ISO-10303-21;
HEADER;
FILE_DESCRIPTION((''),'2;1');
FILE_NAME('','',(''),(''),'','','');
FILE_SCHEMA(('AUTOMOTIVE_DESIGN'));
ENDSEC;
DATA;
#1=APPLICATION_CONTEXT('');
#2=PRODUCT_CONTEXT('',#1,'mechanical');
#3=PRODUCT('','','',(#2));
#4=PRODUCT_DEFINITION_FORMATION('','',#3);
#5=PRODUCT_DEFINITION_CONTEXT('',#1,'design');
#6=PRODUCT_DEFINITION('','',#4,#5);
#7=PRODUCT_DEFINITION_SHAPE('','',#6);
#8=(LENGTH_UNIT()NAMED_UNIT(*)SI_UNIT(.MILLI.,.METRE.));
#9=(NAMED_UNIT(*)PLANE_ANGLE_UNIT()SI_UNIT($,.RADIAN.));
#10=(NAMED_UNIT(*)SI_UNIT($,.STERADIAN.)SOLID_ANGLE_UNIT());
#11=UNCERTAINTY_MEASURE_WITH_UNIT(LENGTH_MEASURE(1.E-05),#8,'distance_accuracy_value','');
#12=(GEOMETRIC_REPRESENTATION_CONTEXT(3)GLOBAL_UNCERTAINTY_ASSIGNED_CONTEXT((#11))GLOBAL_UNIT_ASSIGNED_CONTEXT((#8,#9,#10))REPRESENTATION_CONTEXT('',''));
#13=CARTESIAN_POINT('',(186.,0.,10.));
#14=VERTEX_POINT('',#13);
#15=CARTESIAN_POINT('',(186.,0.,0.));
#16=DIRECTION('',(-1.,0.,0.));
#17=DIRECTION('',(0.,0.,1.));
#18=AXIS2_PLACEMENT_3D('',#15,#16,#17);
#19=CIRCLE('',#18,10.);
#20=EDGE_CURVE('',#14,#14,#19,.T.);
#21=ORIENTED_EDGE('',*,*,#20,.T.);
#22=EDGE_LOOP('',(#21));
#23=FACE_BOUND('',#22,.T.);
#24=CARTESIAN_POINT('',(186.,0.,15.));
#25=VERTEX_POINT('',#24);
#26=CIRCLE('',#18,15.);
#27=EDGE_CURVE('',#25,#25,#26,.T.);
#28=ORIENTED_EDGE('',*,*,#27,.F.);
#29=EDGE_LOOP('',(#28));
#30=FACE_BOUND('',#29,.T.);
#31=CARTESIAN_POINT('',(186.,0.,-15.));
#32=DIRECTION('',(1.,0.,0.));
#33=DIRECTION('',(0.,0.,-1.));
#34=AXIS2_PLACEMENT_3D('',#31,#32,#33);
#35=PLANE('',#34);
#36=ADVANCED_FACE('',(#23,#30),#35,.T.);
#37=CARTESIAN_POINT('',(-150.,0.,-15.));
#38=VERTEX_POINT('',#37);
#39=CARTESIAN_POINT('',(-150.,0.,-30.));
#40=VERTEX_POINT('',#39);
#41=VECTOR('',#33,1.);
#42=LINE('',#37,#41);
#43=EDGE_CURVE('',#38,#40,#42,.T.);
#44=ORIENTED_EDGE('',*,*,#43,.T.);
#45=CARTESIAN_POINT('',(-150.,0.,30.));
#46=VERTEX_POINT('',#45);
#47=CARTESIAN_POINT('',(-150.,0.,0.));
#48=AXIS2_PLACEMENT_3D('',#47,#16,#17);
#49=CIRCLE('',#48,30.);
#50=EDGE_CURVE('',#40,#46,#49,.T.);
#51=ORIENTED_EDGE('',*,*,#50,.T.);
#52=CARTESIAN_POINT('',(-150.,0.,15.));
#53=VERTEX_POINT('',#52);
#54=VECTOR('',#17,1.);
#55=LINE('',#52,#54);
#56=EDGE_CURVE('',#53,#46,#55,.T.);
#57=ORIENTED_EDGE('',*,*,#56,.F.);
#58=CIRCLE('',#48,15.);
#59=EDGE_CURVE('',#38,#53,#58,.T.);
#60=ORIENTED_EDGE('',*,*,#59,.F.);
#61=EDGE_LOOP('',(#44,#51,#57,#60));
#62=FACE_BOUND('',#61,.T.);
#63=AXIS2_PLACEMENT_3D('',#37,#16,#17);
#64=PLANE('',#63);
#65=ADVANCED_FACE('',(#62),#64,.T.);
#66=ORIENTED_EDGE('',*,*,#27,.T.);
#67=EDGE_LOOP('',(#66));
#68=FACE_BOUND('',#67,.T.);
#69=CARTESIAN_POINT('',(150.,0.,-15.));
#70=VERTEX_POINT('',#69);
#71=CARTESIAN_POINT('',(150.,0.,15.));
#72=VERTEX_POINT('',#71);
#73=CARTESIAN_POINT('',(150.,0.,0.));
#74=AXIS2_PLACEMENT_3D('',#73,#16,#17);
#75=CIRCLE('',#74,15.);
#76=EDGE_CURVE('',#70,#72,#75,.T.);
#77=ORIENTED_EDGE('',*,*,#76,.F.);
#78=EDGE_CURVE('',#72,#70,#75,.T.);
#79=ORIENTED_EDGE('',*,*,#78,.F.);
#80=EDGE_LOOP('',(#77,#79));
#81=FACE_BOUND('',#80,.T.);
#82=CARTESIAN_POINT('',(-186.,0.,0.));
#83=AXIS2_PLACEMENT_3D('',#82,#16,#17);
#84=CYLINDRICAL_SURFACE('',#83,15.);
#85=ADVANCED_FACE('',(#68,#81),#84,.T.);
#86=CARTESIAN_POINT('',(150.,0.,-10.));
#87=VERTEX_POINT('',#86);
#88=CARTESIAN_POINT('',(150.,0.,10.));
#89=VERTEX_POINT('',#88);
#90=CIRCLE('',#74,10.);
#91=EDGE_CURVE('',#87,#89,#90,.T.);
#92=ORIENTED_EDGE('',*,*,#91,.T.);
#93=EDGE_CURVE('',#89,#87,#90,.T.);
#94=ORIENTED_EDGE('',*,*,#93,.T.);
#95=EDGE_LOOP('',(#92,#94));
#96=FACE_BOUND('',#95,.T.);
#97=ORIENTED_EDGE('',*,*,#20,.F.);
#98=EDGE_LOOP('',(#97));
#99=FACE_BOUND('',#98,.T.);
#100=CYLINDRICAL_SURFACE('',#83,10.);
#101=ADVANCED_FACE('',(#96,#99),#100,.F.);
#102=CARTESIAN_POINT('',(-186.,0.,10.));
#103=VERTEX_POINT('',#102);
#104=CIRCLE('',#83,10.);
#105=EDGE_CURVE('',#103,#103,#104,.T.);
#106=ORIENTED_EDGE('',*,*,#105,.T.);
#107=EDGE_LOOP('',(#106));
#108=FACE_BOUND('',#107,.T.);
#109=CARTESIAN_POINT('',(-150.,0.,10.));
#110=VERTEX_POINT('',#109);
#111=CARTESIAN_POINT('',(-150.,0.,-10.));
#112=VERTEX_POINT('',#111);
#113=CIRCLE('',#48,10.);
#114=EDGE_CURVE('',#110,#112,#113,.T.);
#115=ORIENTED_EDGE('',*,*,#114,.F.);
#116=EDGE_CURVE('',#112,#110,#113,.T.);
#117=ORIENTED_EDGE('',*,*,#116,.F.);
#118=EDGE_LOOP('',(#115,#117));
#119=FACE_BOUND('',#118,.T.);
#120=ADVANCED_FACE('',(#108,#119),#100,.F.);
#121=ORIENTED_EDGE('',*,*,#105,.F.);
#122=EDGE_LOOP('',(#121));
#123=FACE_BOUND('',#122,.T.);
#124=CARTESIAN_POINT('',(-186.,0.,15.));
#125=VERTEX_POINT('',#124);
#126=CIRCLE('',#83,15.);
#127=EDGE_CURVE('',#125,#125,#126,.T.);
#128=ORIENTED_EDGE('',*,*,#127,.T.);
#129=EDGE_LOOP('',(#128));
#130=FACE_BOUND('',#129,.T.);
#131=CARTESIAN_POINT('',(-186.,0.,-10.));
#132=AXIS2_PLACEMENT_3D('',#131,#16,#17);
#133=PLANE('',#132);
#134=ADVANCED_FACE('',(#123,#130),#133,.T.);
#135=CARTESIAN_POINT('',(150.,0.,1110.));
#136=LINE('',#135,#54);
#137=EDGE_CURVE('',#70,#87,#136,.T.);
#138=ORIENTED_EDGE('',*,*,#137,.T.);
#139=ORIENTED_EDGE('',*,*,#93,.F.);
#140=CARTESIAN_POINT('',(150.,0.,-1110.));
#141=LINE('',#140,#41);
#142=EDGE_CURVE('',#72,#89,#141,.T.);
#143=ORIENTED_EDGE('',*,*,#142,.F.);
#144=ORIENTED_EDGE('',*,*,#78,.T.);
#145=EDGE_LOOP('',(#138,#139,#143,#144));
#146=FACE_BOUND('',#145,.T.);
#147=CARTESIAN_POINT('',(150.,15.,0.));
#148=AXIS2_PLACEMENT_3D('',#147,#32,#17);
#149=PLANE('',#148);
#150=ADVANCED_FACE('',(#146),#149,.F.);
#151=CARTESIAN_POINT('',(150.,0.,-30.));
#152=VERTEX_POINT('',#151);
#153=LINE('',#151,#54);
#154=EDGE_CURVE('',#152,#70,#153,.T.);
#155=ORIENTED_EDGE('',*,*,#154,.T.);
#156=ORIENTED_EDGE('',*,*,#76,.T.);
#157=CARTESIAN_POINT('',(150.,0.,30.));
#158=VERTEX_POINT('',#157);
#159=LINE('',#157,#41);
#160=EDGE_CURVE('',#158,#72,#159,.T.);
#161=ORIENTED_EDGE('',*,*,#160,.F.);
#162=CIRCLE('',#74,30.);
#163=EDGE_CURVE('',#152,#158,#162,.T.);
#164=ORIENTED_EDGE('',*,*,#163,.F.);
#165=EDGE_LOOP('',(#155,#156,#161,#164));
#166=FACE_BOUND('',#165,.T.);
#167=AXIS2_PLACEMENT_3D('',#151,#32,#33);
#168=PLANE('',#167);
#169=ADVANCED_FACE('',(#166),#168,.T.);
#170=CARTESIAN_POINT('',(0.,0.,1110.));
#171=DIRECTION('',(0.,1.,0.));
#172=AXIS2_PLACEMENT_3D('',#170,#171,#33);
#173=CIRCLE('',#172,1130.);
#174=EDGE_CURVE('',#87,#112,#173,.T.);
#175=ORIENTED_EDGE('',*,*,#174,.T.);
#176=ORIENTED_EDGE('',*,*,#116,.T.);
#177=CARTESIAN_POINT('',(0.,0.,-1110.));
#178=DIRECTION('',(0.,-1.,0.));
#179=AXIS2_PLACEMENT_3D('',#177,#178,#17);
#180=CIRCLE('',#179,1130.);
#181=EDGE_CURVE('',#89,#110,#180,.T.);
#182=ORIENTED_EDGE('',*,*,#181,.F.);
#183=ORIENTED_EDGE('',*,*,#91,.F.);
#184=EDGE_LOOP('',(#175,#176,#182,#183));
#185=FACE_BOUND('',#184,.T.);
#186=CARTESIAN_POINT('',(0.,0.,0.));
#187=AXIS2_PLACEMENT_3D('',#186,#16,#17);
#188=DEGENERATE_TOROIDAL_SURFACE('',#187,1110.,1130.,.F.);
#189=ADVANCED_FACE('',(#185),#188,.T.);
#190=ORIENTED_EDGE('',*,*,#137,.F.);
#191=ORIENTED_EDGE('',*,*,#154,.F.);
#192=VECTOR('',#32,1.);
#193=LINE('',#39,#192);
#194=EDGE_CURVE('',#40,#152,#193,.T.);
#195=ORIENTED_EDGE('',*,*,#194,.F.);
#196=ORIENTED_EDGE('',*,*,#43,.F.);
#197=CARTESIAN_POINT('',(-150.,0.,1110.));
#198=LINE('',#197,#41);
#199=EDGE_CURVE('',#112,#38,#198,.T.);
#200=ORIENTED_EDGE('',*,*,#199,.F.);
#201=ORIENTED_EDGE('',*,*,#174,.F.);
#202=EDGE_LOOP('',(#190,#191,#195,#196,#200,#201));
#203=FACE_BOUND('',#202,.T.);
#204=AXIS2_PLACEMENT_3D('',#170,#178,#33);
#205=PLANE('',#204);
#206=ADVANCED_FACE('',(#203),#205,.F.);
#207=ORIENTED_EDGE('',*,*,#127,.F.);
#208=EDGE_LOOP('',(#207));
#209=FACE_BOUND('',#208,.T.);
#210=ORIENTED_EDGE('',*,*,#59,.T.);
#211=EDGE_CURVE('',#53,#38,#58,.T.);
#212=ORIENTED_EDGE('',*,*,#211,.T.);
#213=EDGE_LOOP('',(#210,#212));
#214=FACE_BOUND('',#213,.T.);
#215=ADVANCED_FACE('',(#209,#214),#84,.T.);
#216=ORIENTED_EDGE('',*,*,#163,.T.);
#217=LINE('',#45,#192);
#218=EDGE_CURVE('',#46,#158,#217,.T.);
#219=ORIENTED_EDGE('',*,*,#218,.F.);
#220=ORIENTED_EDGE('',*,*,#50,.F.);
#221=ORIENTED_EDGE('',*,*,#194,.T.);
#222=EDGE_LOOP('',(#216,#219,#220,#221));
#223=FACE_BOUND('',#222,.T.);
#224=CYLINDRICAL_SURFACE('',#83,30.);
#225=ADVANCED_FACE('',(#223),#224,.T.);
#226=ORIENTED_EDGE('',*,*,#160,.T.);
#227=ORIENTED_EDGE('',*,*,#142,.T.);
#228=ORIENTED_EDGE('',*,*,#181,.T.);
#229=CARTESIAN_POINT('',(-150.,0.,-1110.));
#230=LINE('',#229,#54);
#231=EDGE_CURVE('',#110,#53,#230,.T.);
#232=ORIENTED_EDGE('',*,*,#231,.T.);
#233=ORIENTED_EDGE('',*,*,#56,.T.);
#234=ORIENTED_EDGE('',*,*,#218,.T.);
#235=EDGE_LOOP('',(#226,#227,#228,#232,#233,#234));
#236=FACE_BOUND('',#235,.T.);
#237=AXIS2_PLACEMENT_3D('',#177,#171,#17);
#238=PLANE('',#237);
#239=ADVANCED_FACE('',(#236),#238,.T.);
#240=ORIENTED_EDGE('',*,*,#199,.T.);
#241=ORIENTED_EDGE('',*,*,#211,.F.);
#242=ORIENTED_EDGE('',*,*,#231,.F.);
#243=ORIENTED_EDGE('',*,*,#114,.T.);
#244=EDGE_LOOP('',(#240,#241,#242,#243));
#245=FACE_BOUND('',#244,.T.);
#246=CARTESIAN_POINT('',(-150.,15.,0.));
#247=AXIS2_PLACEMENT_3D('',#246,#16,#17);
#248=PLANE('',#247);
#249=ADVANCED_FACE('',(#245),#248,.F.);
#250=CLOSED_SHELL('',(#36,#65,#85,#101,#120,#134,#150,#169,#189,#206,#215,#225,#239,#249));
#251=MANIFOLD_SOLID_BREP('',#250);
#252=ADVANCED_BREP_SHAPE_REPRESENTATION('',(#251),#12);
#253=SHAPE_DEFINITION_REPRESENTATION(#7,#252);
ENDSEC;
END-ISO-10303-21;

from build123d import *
from build123d.topology import SkipClean

# Parameters (mm, degrees)
REVOLVE2_ANGLE = 180.0000000000004


with BuildPart() as part:
    # Sketch2 → Revolve2 (revolve)
    with BuildSketch(Plane(origin=(0, 0, 0), x_dir=(1, 0, 0), z_dir=(0, 1, 0))):
        with BuildLine():
            Line((-186, -15.000000000000009), (-150, -15))
            Line((-150, -15), (-150, -30.000000000000004))
            Line((-150, -30.000000000000004), (150, -29.999999999999947))
            Line((150, -29.999999999999947), (150, -15))
            Line((150, -15), (186, -15.000000000000009))
            Line((186, -15.000000000000009), (186, -10.000000000000014))
            Line((186, -10.000000000000014), (150, -10.000000000000005))
            ThreePointArc((150, -10.000000000000005), (-1.3897e-13, -20), (-150, -10.000000000000005))
            Line((-150, -10.000000000000005), (-186, -10.000000000000014))
            Line((-186, -10.000000000000014), (-186, -15.000000000000009))
        make_face()
    revolve(axis=Axis((-186, 0, 0), (1, 0, 0)), revolution_arc=REVOLVE2_ANGLE)

    # Sketch3 → Revolve3 (revolve)
    with BuildSketch(Plane.XY, mode=Mode.PRIVATE) as revolve3_sk:
        Polygon((-186, 9.999999999999988), (-186, 14.99999999999999), (-150, 14.999999999999988), (-150, 9.999999999999993), align=None)
    revolve3 = revolve(revolve3_sk.sketch.rotate(Axis((-186, 0, 0), (1, 0, 0)), 90), axis=Axis((-186, 0, 0), (1, 0, 0)))

    # Mirror1: Revolve3 across plane
    with SkipClean():  # the faces are left unmerged after this step: merging them gives an invalid solid
        add(revolve3.mirror(Plane(origin=(0, 0, 0), x_dir=(0, 0, 1), z_dir=(1, 0, 0))))


solid = part.part
